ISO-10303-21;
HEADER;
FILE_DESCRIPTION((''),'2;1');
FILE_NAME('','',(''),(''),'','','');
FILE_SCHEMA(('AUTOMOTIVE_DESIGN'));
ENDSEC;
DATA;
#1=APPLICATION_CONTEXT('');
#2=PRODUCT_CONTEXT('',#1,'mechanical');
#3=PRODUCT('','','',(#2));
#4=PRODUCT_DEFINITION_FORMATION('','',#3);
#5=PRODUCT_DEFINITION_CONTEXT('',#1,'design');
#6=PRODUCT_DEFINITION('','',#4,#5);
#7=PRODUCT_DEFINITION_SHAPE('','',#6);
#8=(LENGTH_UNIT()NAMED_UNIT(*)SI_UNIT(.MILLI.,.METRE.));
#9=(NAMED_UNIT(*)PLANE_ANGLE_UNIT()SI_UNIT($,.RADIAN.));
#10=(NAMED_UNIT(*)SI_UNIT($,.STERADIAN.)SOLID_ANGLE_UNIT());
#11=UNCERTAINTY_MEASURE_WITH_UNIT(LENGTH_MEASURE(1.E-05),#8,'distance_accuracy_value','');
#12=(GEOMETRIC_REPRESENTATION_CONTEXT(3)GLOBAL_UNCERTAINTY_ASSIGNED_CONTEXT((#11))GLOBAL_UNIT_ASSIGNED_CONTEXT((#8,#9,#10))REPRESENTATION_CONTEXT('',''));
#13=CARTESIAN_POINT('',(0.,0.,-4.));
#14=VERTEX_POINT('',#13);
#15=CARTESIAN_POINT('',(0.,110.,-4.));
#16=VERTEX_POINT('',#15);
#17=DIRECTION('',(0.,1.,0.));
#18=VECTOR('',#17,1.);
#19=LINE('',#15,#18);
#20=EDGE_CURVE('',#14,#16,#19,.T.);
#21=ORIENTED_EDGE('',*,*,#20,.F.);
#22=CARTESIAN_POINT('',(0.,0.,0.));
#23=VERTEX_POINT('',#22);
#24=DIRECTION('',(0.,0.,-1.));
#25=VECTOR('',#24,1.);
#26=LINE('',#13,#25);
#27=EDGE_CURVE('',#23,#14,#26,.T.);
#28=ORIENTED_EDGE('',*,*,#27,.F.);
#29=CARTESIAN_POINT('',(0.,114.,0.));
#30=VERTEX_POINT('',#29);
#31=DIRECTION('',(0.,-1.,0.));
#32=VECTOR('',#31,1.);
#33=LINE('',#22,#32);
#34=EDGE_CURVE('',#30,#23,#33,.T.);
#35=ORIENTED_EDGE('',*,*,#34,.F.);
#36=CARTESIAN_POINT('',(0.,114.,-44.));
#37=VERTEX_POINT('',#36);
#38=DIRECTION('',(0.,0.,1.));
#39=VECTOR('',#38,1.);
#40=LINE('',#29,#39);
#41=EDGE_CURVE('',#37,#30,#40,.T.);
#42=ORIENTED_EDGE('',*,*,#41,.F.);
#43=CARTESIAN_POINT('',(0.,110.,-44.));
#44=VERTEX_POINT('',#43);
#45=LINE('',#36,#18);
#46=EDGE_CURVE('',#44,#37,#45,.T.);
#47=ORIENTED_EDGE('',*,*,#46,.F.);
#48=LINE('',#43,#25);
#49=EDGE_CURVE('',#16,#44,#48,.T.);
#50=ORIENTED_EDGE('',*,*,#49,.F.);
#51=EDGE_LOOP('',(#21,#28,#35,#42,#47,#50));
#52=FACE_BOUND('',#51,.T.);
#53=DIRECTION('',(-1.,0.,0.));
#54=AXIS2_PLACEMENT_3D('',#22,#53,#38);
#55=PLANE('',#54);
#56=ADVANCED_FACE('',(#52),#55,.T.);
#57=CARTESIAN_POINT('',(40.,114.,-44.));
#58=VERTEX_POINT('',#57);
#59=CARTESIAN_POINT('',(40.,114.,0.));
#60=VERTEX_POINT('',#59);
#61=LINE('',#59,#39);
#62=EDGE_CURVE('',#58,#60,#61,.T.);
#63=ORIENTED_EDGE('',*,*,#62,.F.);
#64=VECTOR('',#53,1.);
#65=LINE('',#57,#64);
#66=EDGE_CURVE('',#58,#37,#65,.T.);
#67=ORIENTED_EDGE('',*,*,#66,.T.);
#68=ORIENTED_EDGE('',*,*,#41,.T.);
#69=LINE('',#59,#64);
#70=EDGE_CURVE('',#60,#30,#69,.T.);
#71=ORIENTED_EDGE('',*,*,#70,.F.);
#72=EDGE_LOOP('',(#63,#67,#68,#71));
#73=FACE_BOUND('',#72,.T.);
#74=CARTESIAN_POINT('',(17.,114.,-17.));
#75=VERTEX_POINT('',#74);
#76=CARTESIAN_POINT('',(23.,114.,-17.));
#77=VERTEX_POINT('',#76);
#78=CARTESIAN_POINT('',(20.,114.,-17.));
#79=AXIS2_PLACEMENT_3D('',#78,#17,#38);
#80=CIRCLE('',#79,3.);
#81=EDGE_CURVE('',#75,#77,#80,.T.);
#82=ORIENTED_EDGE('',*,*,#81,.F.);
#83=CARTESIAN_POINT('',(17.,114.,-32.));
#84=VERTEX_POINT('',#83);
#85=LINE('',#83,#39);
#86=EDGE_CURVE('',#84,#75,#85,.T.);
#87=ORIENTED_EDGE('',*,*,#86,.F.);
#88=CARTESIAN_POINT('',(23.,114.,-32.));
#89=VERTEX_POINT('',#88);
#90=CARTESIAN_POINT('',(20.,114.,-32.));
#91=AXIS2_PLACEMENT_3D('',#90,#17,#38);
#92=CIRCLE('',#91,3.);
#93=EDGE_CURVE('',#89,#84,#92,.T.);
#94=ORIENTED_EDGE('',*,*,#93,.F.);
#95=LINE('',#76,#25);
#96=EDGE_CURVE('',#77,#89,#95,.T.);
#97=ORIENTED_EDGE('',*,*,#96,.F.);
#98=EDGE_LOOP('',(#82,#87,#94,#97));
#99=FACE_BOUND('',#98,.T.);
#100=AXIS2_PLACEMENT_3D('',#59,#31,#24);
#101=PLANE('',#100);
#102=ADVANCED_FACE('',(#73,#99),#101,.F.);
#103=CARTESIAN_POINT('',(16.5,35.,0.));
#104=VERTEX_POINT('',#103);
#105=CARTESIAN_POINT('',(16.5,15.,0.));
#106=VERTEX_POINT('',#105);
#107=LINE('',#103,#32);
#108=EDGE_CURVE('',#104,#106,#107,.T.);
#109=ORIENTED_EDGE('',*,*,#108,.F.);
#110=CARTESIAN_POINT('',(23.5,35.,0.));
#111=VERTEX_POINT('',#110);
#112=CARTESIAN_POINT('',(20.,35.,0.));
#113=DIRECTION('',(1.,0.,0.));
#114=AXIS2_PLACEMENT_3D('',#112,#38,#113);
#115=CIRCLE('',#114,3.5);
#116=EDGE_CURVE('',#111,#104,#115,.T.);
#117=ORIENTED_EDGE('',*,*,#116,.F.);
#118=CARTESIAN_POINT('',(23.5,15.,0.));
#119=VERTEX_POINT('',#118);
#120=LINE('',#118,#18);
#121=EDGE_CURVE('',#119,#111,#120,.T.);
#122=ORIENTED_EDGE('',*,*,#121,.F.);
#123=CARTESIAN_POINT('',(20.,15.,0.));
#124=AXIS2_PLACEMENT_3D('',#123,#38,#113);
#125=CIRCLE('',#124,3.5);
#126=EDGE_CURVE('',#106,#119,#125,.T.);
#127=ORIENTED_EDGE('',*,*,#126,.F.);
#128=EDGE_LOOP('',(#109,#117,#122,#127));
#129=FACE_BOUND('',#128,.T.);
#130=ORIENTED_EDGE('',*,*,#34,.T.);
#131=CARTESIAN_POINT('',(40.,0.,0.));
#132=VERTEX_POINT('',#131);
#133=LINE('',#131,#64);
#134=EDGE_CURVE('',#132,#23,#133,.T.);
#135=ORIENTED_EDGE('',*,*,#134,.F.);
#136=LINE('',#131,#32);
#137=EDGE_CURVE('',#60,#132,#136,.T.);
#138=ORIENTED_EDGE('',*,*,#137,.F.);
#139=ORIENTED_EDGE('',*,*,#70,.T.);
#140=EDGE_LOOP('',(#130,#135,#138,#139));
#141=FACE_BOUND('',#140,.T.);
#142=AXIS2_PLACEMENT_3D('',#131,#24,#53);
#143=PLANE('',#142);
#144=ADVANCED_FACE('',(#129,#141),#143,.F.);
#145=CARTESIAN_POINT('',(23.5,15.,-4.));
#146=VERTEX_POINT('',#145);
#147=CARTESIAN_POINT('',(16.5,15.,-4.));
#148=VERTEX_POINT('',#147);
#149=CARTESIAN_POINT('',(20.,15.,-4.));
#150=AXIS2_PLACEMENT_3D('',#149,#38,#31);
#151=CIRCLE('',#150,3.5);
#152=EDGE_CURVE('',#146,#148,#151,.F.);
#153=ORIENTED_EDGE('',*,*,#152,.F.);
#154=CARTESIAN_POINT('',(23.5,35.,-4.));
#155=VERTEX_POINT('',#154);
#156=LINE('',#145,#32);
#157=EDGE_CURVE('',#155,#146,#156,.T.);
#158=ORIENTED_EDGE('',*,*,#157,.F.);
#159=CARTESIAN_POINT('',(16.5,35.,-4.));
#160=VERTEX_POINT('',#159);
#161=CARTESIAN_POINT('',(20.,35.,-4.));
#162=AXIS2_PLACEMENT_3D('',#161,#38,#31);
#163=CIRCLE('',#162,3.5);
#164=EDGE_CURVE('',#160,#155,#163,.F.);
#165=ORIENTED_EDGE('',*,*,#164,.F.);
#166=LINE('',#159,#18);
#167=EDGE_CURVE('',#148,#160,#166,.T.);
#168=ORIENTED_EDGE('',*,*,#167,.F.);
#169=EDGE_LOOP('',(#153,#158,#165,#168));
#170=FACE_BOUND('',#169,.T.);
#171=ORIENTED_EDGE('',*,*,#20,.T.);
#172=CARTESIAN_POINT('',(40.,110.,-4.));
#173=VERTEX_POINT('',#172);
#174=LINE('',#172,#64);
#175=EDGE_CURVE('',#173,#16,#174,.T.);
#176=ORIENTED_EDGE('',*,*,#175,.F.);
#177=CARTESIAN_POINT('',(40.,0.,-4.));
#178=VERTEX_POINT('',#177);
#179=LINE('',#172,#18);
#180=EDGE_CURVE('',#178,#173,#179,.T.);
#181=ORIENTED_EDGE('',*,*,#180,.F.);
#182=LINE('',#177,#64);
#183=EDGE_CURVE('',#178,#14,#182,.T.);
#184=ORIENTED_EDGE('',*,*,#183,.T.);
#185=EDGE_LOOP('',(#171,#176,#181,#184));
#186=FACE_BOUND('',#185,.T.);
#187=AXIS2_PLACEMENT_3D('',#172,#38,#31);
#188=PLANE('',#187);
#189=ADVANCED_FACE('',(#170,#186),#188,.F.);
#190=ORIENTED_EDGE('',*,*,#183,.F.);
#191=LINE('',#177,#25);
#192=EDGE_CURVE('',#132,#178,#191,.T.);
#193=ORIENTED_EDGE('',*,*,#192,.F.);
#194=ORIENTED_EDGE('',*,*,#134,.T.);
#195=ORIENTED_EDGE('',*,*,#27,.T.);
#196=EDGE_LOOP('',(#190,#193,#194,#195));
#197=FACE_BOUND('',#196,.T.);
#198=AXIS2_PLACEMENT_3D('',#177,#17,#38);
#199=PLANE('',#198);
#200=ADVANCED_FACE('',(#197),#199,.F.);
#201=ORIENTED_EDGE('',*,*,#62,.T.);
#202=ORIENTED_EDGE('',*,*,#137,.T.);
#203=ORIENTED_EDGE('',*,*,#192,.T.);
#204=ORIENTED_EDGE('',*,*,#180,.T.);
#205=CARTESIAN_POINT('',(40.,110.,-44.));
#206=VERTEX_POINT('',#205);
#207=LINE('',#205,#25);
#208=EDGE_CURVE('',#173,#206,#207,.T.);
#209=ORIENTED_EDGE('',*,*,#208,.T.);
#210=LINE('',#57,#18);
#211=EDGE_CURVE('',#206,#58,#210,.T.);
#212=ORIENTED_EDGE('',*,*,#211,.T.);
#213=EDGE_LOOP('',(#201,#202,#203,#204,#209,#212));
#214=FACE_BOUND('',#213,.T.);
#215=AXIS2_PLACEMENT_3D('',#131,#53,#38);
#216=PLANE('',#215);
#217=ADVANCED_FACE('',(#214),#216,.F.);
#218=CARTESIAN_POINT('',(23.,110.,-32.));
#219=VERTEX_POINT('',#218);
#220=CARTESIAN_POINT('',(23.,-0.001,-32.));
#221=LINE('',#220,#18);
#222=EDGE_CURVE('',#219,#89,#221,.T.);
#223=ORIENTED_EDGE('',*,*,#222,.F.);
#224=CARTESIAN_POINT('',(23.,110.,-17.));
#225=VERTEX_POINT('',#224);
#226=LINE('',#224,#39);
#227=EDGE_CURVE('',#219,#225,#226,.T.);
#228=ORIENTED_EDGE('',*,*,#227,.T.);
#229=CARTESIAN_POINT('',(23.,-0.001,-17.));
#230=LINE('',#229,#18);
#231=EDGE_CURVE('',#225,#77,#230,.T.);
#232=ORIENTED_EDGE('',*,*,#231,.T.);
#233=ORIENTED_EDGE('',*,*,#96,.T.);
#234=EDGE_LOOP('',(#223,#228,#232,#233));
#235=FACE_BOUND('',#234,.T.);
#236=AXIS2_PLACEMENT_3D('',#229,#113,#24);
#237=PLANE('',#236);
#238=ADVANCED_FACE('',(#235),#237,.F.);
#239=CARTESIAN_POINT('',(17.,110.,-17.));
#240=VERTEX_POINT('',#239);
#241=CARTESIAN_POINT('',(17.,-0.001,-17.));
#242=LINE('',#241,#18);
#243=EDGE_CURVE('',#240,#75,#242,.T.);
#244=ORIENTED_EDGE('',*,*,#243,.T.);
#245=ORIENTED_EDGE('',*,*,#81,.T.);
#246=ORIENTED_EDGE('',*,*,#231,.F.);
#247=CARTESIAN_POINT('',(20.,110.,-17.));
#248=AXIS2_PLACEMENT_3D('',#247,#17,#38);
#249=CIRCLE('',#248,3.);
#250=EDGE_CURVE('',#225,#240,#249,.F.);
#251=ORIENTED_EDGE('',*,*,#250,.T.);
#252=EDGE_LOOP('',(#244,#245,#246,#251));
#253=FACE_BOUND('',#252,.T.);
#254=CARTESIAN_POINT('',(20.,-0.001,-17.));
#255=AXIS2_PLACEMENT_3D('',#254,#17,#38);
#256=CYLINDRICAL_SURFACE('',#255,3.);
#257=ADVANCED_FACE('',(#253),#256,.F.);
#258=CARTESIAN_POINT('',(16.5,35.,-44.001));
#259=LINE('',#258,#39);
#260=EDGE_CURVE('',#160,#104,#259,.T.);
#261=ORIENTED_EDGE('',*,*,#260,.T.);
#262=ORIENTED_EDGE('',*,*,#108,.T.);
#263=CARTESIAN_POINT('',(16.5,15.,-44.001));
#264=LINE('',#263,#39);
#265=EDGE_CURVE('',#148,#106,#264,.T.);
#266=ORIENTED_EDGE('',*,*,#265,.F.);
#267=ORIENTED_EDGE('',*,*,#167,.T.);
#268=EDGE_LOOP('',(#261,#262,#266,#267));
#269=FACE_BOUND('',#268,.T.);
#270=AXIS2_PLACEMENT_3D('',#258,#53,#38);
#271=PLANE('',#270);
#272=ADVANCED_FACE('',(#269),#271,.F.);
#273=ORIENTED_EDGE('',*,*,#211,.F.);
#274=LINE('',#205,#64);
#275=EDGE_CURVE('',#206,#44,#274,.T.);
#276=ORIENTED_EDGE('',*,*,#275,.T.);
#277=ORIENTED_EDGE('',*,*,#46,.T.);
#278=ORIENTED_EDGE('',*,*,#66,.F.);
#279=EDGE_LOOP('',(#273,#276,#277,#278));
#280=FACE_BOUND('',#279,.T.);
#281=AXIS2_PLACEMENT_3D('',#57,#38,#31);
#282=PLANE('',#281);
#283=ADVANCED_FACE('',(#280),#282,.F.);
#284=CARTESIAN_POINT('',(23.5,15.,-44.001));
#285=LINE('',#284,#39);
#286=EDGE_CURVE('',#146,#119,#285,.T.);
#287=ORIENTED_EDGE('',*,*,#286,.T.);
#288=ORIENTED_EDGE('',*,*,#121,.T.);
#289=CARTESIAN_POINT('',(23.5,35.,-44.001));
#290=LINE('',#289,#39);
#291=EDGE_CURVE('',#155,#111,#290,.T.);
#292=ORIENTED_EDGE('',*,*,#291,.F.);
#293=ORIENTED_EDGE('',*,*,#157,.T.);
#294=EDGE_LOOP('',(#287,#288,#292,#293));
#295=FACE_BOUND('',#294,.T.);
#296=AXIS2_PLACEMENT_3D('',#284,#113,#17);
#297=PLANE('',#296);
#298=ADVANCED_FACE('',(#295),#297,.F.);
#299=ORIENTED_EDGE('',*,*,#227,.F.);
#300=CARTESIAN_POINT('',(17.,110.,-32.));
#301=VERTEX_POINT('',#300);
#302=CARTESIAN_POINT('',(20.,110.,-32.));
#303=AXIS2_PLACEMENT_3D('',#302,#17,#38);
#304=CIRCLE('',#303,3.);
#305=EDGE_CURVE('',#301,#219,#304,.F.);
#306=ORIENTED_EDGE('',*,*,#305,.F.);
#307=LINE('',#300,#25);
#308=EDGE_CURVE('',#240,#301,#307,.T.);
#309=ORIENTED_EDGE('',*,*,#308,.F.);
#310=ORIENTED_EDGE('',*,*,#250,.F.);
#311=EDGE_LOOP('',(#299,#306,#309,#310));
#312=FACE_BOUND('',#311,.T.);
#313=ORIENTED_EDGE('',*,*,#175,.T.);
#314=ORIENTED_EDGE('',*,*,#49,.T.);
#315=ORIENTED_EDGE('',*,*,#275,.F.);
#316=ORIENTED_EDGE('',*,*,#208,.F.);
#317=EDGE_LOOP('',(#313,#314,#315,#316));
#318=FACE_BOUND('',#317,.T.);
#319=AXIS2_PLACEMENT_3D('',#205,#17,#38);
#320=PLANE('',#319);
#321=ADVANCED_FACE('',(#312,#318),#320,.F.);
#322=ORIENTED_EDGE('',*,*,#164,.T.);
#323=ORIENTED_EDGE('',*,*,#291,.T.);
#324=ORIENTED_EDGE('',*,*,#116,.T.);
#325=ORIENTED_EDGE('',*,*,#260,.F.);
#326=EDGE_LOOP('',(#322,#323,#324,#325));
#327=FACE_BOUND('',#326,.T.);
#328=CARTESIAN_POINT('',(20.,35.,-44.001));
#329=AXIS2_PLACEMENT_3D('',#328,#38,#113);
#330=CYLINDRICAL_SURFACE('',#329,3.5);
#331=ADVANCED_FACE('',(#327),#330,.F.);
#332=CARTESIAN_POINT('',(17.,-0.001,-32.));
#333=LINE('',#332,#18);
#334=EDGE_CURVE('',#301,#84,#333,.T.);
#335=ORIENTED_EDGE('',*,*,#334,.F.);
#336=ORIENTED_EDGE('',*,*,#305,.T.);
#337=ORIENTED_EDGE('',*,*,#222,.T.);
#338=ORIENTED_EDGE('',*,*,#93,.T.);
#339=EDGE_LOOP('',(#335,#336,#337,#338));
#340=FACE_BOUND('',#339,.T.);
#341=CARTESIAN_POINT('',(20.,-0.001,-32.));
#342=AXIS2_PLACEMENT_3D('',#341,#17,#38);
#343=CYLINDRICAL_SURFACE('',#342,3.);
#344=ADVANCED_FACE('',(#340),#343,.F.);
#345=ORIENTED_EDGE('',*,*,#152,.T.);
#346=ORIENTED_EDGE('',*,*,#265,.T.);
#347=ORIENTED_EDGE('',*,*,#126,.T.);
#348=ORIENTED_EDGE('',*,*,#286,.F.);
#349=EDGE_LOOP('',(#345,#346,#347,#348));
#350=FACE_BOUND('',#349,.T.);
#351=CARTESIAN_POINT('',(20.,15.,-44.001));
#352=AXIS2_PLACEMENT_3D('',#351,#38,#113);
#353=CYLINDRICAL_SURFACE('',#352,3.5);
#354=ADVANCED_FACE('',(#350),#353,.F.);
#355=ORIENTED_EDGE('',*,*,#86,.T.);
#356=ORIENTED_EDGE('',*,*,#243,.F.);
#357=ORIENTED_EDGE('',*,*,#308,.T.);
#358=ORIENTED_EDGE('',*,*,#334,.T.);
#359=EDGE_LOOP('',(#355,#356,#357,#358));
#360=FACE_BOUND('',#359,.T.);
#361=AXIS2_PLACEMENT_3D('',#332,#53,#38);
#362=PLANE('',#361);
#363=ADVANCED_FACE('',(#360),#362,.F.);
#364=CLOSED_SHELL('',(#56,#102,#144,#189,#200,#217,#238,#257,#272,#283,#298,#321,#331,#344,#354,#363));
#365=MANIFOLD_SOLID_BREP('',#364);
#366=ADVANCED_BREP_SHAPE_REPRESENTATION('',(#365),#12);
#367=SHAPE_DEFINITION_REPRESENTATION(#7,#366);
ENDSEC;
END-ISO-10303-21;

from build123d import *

# Parameters (mm, degrees)
EXTRUDE_1_DEPTH     = 40
CUT_EXTRUDE_1_REACH = 130.577
CUT_EXTRUDE_2_REACH = 130.577


with BuildPart() as part:
    # 草图1 → 凸台-拉伸1 (new body)
    with BuildSketch(Plane(origin=(0, 0, 0), x_dir=(0, 0, -1), z_dir=(1, 0, 0))):
        Polygon((0, 0), (0, 114), (44, 114), (44, 110), (4, 110), (4, 0), align=None)
    extrude(amount=EXTRUDE_1_DEPTH)

    # 草图2 → 切除-拉伸1 (cut, up to next)
    with BuildSketch(Plane(origin=(0, 114, 0), x_dir=(1, 0, 0), z_dir=(0, 1, 0)), mode=Mode.PRIVATE) as cut_extrude_1_sk1:
        with BuildLine():
            Line((17, 32), (17, 17))
            ThreePointArc((17, 17), (20, 14), (23, 17))
            Line((23, 17), (23, 32))
            ThreePointArc((23, 32), (20, 35), (17, 32))
        make_face()
    cut_extrude_1_tool1 = extrude(cut_extrude_1_sk1.sketch, amount=-CUT_EXTRUDE_1_REACH, mode=Mode.PRIVATE) & part.part
    add(cut_extrude_1_tool1.solids().sort_by_distance((20, 114, -24.5))[0], mode=Mode.SUBTRACT)

    # 草图3 → 切除-拉伸2 (cut, up to next)
    with BuildSketch(Plane.XY, mode=Mode.PRIVATE) as cut_extrude_2_sk1:
        with BuildLine():
            Line((23.5, 15), (23.5, 35))
            ThreePointArc((23.5, 35), (20, 38.5), (16.5, 35))
            Line((16.5, 35), (16.5, 15))
            ThreePointArc((16.5, 15), (20, 11.5), (23.5, 15))
        make_face()
    cut_extrude_2_tool1 = extrude(cut_extrude_2_sk1.sketch, amount=-CUT_EXTRUDE_2_REACH, mode=Mode.PRIVATE) & part.part
    add(cut_extrude_2_tool1.solids().sort_by_distance((20, 25, 0))[0], mode=Mode.SUBTRACT)


solid = part.part
